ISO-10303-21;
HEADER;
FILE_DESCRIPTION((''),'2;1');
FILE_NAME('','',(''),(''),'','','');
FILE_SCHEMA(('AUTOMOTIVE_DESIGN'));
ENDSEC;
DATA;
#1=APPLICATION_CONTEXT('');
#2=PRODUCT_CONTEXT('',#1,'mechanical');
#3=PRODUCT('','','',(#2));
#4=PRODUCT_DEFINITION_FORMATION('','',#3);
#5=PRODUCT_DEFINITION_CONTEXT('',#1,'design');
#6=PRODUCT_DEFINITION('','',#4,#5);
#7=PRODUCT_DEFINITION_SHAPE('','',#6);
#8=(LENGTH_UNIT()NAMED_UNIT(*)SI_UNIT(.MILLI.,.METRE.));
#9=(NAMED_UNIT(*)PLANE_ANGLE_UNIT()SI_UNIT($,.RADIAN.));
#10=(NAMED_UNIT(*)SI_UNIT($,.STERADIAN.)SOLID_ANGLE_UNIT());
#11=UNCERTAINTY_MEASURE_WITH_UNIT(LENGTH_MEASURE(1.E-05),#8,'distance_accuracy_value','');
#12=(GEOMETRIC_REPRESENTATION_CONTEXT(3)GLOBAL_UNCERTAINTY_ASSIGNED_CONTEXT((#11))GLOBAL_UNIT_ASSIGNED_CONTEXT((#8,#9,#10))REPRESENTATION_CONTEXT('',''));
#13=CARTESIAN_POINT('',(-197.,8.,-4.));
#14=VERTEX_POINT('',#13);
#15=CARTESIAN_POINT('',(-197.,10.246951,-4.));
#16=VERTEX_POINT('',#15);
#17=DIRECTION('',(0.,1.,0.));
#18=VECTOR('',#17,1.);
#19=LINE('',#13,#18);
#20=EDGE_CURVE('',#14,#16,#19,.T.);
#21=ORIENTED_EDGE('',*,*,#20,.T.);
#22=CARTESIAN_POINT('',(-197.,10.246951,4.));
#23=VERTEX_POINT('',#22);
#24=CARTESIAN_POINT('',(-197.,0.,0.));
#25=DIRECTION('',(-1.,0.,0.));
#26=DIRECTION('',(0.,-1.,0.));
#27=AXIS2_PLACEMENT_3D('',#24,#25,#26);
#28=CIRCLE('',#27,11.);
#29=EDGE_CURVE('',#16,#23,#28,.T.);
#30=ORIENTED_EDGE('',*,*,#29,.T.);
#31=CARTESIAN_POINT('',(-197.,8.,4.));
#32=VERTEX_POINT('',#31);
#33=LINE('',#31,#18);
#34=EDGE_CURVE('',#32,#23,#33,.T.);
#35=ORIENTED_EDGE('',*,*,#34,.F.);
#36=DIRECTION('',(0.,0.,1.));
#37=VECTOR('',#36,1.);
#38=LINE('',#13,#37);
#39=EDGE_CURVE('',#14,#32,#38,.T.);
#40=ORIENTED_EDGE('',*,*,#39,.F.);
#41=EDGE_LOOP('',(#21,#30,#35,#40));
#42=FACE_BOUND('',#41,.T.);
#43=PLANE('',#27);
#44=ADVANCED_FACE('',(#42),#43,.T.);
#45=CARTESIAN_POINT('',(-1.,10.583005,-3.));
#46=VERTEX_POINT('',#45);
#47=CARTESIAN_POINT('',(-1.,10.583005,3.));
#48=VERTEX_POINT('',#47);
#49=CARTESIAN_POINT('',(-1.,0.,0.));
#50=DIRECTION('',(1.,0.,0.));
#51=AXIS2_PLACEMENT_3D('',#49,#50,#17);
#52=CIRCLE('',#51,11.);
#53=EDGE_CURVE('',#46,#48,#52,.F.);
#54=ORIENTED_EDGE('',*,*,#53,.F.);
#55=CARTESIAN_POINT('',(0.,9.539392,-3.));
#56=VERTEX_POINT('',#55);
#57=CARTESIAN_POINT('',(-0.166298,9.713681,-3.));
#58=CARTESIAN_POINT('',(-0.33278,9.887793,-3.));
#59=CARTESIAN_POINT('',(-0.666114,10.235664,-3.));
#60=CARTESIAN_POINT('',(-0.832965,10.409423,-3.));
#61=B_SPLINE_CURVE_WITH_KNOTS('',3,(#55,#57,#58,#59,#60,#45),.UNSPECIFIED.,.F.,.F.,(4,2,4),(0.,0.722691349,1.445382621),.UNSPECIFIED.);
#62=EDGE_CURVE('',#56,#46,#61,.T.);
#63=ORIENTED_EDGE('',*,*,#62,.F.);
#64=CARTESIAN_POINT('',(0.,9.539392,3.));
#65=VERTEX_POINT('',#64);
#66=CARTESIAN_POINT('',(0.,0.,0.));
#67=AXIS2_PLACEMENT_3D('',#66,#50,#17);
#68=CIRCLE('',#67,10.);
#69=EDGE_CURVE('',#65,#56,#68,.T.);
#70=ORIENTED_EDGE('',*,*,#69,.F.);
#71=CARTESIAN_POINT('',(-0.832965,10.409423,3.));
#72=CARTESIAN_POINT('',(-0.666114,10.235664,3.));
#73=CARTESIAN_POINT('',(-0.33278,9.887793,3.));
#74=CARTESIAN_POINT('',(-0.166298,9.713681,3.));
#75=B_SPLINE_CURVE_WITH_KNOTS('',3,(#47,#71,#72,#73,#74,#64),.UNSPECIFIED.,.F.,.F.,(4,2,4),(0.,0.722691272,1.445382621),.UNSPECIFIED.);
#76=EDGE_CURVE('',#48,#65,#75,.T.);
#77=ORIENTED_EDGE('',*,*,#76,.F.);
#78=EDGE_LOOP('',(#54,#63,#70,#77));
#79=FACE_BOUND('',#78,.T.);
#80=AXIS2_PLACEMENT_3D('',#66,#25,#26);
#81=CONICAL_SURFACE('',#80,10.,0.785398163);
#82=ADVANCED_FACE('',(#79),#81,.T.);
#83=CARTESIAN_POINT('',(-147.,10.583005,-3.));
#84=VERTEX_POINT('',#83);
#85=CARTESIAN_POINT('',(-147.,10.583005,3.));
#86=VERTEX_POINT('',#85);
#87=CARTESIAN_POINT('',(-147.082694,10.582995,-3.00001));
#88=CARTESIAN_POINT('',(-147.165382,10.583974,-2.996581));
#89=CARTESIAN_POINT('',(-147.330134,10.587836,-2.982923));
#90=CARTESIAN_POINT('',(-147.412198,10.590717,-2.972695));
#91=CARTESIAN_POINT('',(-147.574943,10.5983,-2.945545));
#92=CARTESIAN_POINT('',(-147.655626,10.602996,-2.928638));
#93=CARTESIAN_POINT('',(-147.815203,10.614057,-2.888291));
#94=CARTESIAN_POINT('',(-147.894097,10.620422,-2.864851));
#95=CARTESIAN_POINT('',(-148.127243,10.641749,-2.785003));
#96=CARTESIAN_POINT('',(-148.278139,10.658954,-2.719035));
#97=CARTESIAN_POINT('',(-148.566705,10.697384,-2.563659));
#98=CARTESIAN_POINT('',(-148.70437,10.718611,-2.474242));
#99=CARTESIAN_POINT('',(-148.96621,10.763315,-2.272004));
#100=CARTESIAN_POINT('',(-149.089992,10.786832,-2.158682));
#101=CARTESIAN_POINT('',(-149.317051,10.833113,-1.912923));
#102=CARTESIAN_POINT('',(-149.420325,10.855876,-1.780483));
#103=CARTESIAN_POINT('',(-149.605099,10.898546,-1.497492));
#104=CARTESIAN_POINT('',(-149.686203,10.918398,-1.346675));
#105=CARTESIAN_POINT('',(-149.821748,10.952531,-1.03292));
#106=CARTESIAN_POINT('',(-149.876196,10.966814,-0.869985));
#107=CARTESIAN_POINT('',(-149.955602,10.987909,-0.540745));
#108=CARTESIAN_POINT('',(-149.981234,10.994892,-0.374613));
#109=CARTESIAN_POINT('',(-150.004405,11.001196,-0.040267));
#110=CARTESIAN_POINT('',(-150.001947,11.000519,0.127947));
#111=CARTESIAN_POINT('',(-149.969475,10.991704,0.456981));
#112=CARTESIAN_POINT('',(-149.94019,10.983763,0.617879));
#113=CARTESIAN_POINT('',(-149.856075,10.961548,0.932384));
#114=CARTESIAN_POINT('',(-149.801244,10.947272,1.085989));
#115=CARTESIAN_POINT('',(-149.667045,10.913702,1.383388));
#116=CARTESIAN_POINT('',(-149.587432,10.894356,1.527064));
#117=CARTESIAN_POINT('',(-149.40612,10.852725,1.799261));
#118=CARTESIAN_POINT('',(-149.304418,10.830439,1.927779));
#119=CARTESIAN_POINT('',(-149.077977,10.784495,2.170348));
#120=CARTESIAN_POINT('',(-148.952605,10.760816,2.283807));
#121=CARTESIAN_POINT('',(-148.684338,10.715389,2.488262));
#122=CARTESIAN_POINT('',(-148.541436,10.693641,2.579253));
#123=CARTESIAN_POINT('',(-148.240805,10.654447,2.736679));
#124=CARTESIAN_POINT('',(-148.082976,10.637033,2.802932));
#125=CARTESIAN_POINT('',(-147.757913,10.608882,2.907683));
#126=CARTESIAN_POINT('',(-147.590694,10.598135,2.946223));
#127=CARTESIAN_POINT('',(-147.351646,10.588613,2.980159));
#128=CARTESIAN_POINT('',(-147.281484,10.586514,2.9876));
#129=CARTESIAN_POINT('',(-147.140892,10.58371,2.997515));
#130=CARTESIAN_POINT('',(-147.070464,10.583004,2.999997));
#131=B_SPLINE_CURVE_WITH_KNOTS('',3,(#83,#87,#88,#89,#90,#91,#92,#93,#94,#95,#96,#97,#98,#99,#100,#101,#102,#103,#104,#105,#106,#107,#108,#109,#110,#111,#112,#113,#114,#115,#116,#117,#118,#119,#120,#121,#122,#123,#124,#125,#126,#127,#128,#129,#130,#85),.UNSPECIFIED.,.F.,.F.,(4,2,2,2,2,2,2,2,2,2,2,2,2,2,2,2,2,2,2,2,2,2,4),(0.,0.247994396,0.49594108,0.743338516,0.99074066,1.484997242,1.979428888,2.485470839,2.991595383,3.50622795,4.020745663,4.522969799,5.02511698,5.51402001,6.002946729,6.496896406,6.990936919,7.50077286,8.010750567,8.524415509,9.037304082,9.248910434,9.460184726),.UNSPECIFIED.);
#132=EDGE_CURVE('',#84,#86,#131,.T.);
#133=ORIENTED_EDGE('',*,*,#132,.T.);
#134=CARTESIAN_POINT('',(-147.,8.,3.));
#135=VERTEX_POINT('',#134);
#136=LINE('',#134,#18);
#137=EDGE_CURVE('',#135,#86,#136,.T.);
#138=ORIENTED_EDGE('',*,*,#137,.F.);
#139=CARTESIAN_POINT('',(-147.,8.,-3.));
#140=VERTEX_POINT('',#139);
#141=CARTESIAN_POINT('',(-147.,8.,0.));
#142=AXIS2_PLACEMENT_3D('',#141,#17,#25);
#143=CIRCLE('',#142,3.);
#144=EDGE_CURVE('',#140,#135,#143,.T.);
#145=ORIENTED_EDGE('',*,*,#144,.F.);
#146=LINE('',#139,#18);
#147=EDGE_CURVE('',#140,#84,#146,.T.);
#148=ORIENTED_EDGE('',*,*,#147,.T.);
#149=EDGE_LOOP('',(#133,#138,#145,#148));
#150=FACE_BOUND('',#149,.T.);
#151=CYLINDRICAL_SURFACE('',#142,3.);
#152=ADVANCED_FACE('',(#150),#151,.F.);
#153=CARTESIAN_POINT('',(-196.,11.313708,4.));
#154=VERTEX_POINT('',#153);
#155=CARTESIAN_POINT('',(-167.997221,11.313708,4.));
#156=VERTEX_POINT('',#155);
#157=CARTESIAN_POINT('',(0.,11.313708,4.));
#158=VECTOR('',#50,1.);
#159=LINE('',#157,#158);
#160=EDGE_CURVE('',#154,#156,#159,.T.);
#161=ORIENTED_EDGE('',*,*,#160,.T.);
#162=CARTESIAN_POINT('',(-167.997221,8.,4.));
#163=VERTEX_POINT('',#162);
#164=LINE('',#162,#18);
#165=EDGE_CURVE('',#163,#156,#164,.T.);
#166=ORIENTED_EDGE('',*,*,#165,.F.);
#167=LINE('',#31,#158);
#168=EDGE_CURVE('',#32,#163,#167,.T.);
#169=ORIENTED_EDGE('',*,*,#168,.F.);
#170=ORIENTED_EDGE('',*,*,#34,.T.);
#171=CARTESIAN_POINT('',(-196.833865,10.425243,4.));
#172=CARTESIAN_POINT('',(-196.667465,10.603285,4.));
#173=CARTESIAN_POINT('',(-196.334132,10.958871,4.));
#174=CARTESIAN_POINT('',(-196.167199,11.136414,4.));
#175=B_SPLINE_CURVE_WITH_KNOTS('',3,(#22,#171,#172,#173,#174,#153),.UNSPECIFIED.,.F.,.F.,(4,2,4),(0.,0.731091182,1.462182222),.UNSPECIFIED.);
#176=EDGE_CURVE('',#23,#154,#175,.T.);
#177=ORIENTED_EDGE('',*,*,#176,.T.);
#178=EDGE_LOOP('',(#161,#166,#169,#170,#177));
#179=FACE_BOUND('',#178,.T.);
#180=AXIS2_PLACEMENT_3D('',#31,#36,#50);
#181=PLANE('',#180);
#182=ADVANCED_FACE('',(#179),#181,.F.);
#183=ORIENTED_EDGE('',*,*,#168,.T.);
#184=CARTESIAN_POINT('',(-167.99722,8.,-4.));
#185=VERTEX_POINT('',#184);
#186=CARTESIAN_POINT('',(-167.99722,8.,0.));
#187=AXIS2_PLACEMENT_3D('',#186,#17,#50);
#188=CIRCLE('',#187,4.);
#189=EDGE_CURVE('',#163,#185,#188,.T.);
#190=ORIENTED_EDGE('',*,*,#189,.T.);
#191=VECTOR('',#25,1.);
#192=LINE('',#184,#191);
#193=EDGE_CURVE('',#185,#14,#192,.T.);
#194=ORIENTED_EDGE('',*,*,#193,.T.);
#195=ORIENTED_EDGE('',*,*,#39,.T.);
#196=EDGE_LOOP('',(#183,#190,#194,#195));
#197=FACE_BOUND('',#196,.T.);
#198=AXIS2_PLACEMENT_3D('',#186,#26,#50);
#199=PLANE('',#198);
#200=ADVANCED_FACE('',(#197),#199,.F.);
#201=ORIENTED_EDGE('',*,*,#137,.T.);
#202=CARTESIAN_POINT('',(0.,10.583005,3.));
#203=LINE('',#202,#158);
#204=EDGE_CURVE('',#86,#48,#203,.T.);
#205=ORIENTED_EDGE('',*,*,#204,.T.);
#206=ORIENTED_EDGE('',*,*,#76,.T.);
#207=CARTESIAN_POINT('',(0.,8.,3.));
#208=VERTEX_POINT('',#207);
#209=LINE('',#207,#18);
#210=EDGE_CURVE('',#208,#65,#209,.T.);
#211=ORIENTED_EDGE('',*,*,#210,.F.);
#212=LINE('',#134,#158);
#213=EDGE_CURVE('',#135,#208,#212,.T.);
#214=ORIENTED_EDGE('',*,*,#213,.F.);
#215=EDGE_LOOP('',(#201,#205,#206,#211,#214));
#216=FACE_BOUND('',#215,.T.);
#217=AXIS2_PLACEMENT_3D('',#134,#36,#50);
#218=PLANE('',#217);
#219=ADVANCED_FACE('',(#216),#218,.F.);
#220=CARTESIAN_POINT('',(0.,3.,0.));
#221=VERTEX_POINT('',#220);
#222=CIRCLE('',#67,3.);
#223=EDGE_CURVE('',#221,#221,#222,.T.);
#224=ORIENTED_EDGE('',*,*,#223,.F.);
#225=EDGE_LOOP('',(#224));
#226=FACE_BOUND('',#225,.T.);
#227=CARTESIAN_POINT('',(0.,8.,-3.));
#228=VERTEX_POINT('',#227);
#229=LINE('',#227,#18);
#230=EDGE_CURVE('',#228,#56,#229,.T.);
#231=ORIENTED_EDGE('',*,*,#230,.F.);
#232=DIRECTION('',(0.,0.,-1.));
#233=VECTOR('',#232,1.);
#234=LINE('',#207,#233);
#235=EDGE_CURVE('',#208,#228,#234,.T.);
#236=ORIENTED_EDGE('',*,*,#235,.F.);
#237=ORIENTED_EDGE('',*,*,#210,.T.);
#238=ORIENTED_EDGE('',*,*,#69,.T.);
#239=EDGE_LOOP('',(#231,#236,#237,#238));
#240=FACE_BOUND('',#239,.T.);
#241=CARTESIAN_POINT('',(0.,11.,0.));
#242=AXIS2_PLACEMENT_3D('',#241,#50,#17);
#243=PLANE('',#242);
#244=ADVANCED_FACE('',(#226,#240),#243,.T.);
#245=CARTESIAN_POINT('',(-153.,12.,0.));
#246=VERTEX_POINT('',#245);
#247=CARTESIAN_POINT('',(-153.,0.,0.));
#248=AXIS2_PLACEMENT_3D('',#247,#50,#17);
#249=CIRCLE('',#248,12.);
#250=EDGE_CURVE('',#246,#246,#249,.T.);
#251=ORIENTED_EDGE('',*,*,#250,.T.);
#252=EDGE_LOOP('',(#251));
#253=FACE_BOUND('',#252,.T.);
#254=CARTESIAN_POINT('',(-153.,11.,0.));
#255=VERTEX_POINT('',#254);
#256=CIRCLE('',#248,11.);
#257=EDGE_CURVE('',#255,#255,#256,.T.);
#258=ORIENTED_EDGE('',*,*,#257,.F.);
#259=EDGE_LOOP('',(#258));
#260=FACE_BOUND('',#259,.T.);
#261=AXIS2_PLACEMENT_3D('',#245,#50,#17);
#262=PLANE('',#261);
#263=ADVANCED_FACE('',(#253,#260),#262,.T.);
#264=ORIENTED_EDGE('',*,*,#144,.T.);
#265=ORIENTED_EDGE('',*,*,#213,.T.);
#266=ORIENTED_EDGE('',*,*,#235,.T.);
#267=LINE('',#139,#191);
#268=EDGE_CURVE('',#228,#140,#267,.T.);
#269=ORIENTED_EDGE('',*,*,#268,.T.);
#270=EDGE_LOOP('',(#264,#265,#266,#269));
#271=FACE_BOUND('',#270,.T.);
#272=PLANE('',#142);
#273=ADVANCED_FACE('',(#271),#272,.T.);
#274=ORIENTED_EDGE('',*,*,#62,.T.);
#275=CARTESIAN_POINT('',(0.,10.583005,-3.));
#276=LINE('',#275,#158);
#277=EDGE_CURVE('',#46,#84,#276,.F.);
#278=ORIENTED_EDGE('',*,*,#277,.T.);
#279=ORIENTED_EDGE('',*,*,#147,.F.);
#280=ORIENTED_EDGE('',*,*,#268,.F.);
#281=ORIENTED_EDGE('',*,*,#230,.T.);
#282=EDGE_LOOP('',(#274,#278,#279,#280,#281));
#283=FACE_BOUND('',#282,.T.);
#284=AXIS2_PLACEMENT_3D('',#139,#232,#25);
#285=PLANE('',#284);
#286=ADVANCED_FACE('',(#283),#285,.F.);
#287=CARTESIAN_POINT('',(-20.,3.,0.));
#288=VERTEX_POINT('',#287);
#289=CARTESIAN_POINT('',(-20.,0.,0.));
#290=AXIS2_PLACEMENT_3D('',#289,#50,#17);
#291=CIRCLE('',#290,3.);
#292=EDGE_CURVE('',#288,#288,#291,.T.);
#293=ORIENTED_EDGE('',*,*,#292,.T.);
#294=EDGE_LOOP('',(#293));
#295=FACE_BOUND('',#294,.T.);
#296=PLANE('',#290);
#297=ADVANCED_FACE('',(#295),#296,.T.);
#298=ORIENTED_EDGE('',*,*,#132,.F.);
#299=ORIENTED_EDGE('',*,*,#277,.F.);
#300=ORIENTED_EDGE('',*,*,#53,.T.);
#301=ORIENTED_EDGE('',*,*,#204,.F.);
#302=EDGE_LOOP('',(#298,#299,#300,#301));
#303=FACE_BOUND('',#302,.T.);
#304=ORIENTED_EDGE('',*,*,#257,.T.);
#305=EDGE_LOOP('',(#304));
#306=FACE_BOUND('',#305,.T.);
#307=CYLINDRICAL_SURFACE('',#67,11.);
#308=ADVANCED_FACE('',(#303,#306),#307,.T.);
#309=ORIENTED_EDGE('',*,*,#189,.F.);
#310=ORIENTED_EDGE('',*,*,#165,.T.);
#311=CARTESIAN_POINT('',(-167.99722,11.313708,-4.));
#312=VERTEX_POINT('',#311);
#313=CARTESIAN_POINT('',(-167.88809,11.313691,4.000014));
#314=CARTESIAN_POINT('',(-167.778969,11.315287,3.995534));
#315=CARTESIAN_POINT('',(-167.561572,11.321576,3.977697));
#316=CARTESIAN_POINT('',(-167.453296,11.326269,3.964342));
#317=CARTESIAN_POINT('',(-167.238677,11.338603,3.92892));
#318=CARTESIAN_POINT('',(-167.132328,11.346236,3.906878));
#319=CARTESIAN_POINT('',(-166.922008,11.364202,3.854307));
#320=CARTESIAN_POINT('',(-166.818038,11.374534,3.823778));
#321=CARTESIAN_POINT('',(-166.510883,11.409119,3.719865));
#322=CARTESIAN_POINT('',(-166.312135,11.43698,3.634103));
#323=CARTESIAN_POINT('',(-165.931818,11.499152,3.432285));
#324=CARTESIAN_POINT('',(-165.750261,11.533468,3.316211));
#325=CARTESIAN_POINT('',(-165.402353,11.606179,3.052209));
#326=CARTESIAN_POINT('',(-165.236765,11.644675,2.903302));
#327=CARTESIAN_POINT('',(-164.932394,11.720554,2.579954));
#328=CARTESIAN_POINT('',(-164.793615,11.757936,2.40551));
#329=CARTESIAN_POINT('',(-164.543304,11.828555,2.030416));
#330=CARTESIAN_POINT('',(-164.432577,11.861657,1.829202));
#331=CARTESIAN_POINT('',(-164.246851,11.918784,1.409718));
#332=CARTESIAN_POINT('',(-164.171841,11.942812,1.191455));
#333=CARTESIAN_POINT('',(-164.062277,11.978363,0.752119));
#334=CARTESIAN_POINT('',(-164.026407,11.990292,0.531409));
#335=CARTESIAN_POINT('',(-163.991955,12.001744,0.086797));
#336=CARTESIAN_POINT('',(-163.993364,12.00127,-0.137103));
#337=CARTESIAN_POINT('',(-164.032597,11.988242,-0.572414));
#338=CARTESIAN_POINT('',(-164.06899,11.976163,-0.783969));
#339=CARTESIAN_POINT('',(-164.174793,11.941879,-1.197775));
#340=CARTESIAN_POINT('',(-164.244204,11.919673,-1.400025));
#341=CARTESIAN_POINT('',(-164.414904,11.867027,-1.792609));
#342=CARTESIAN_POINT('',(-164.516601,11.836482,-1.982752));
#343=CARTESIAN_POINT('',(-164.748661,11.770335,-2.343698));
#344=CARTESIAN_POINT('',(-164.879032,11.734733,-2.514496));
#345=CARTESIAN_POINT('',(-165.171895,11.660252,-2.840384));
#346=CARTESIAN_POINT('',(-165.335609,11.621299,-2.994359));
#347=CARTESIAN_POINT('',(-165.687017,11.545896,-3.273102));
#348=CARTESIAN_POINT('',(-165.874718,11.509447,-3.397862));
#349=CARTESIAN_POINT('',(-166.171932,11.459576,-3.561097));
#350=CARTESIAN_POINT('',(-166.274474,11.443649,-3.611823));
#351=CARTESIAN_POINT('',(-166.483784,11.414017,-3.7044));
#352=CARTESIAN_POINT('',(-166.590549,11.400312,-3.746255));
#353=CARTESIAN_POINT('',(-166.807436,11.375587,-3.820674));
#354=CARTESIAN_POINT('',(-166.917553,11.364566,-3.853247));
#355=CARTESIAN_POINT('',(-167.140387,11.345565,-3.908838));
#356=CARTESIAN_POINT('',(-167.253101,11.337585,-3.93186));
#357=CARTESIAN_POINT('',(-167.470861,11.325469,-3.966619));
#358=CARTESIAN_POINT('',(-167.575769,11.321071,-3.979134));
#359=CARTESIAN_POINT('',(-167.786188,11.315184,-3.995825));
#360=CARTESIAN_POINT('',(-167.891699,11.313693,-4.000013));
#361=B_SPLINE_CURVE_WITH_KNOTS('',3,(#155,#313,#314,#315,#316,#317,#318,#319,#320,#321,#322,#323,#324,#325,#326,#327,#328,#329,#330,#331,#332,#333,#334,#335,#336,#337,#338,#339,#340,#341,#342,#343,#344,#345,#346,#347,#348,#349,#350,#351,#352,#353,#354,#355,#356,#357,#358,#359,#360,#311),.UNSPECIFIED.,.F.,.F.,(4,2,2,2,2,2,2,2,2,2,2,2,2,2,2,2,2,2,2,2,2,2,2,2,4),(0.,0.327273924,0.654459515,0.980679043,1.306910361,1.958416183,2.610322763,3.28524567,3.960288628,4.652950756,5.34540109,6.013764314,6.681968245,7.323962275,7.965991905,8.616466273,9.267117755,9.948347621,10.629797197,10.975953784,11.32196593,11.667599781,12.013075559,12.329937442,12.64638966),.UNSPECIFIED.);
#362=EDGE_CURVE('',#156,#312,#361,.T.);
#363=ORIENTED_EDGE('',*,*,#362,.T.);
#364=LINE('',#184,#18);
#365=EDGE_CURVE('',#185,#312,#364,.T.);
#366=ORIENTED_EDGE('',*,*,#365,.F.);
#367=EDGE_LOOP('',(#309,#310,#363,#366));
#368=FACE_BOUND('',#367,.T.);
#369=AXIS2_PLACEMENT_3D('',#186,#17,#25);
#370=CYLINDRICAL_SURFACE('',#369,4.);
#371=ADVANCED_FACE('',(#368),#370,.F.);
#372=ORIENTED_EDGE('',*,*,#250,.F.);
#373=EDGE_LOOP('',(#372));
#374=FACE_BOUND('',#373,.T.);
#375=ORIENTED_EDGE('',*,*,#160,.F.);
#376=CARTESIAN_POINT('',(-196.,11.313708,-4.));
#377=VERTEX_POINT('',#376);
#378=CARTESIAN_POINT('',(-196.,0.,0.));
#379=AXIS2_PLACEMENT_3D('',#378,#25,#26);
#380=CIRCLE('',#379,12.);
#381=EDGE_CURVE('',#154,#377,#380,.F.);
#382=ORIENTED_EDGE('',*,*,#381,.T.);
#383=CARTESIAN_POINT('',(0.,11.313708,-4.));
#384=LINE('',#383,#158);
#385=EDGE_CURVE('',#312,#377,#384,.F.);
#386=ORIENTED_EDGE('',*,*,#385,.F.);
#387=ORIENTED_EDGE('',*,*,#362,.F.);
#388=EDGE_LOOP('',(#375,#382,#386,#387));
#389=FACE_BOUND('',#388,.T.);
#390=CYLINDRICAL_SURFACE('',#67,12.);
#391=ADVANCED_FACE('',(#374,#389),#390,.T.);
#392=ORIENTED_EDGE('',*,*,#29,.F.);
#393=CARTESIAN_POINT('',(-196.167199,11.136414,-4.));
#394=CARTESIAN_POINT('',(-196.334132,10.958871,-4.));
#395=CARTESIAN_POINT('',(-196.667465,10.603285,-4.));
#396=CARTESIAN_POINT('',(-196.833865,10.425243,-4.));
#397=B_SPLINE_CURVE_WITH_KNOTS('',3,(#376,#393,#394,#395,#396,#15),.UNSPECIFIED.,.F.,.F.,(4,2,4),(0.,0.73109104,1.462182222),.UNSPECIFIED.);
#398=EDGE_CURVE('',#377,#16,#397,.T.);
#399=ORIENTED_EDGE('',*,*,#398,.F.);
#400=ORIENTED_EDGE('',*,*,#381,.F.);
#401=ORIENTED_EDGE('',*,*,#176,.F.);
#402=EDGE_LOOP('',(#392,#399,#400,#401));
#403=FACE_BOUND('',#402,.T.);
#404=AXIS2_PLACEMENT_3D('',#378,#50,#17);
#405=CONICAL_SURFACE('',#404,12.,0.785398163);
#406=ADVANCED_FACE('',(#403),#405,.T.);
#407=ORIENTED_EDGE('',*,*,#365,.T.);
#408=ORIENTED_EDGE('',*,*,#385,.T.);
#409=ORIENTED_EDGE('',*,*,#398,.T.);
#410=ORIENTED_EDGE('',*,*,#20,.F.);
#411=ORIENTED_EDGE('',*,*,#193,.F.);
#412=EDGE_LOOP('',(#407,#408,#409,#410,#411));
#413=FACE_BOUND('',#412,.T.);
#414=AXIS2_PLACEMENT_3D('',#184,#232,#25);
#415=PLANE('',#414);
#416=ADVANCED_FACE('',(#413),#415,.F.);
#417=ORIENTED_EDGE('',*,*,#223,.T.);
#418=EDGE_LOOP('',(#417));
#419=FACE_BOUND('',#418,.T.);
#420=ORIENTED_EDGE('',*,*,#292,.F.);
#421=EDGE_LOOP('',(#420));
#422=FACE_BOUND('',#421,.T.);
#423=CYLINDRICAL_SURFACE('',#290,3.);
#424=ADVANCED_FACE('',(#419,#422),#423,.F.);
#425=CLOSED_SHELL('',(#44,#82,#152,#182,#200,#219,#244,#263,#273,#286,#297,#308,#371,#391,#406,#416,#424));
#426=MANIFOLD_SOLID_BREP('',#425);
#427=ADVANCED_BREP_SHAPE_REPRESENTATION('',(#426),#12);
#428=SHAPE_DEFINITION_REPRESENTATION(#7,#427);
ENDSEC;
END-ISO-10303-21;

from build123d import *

# Parameters (mm, degrees)
CUT_EXTRUDE1_DEPTH = 4
CUT_EXTRUDE2_DEPTH = 3
CHAMFER1_SIZE      = 1
SKETCH4_R          = 3
CUT_EXTRUDE3_DEPTH = 20


with BuildPart() as part:
    # Sketch1 → Revolve1 (revolve)
    with BuildSketch(Plane.XY):
        Polygon((0, 0), (-197, 0), (-197, 12), (-153, 12), (-153, 11), (0, 11), align=None)
    revolve(axis=Axis((0, 0, 0), (-1, 0, 0)))

    # Sketch2 → Cut-Extrude1 (cut)
    with BuildSketch(Plane(origin=(0, 12, 0), x_dir=(1, 0, 0), z_dir=(0, 1, 0))):
        with BuildLine():
            Line((-167.997220054, 4), (-197, 4))
            Line((-197, 4), (-197, -4))
            Line((-197, -4), (-167.997221426, -4))
            ThreePointArc((-167.997221426, -4), (-163.997220054, -6.86e-07), (-167.997220054, 4))
        make_face()
    extrude(amount=-CUT_EXTRUDE1_DEPTH, mode=Mode.SUBTRACT)

    # Sketch3 → Cut-Extrude2 (cut)
    with BuildSketch(Plane(origin=(0, 11, 0), x_dir=(1, 0, 0), z_dir=(0, 1, 0))):
        with BuildLine():
            Line((-147, 3), (0, 3))
            Line((0, 3), (0, -3))
            Line((0, -3), (-147, -3))
            ThreePointArc((-147, -3), (-150, 0), (-147, 3))
        make_face()
    extrude(amount=-CUT_EXTRUDE2_DEPTH, mode=Mode.SUBTRACT)

    # Chamfer1
    chamfer1_edges = [part.edges().sort_by_distance(p)[0] for p in [
        (-197, -12, 0),
        (0, -11, 0),
    ]]
    chamfer(chamfer1_edges, length=CHAMFER1_SIZE)

    # Sketch4 → Cut-Extrude3 (cut)
    with BuildSketch(Plane(origin=(0, 0, 0), x_dir=(0, 0, -1), z_dir=(1, 0, 0))):
        Circle(SKETCH4_R)
    extrude(amount=-CUT_EXTRUDE3_DEPTH, mode=Mode.SUBTRACT)


solid = part.part
